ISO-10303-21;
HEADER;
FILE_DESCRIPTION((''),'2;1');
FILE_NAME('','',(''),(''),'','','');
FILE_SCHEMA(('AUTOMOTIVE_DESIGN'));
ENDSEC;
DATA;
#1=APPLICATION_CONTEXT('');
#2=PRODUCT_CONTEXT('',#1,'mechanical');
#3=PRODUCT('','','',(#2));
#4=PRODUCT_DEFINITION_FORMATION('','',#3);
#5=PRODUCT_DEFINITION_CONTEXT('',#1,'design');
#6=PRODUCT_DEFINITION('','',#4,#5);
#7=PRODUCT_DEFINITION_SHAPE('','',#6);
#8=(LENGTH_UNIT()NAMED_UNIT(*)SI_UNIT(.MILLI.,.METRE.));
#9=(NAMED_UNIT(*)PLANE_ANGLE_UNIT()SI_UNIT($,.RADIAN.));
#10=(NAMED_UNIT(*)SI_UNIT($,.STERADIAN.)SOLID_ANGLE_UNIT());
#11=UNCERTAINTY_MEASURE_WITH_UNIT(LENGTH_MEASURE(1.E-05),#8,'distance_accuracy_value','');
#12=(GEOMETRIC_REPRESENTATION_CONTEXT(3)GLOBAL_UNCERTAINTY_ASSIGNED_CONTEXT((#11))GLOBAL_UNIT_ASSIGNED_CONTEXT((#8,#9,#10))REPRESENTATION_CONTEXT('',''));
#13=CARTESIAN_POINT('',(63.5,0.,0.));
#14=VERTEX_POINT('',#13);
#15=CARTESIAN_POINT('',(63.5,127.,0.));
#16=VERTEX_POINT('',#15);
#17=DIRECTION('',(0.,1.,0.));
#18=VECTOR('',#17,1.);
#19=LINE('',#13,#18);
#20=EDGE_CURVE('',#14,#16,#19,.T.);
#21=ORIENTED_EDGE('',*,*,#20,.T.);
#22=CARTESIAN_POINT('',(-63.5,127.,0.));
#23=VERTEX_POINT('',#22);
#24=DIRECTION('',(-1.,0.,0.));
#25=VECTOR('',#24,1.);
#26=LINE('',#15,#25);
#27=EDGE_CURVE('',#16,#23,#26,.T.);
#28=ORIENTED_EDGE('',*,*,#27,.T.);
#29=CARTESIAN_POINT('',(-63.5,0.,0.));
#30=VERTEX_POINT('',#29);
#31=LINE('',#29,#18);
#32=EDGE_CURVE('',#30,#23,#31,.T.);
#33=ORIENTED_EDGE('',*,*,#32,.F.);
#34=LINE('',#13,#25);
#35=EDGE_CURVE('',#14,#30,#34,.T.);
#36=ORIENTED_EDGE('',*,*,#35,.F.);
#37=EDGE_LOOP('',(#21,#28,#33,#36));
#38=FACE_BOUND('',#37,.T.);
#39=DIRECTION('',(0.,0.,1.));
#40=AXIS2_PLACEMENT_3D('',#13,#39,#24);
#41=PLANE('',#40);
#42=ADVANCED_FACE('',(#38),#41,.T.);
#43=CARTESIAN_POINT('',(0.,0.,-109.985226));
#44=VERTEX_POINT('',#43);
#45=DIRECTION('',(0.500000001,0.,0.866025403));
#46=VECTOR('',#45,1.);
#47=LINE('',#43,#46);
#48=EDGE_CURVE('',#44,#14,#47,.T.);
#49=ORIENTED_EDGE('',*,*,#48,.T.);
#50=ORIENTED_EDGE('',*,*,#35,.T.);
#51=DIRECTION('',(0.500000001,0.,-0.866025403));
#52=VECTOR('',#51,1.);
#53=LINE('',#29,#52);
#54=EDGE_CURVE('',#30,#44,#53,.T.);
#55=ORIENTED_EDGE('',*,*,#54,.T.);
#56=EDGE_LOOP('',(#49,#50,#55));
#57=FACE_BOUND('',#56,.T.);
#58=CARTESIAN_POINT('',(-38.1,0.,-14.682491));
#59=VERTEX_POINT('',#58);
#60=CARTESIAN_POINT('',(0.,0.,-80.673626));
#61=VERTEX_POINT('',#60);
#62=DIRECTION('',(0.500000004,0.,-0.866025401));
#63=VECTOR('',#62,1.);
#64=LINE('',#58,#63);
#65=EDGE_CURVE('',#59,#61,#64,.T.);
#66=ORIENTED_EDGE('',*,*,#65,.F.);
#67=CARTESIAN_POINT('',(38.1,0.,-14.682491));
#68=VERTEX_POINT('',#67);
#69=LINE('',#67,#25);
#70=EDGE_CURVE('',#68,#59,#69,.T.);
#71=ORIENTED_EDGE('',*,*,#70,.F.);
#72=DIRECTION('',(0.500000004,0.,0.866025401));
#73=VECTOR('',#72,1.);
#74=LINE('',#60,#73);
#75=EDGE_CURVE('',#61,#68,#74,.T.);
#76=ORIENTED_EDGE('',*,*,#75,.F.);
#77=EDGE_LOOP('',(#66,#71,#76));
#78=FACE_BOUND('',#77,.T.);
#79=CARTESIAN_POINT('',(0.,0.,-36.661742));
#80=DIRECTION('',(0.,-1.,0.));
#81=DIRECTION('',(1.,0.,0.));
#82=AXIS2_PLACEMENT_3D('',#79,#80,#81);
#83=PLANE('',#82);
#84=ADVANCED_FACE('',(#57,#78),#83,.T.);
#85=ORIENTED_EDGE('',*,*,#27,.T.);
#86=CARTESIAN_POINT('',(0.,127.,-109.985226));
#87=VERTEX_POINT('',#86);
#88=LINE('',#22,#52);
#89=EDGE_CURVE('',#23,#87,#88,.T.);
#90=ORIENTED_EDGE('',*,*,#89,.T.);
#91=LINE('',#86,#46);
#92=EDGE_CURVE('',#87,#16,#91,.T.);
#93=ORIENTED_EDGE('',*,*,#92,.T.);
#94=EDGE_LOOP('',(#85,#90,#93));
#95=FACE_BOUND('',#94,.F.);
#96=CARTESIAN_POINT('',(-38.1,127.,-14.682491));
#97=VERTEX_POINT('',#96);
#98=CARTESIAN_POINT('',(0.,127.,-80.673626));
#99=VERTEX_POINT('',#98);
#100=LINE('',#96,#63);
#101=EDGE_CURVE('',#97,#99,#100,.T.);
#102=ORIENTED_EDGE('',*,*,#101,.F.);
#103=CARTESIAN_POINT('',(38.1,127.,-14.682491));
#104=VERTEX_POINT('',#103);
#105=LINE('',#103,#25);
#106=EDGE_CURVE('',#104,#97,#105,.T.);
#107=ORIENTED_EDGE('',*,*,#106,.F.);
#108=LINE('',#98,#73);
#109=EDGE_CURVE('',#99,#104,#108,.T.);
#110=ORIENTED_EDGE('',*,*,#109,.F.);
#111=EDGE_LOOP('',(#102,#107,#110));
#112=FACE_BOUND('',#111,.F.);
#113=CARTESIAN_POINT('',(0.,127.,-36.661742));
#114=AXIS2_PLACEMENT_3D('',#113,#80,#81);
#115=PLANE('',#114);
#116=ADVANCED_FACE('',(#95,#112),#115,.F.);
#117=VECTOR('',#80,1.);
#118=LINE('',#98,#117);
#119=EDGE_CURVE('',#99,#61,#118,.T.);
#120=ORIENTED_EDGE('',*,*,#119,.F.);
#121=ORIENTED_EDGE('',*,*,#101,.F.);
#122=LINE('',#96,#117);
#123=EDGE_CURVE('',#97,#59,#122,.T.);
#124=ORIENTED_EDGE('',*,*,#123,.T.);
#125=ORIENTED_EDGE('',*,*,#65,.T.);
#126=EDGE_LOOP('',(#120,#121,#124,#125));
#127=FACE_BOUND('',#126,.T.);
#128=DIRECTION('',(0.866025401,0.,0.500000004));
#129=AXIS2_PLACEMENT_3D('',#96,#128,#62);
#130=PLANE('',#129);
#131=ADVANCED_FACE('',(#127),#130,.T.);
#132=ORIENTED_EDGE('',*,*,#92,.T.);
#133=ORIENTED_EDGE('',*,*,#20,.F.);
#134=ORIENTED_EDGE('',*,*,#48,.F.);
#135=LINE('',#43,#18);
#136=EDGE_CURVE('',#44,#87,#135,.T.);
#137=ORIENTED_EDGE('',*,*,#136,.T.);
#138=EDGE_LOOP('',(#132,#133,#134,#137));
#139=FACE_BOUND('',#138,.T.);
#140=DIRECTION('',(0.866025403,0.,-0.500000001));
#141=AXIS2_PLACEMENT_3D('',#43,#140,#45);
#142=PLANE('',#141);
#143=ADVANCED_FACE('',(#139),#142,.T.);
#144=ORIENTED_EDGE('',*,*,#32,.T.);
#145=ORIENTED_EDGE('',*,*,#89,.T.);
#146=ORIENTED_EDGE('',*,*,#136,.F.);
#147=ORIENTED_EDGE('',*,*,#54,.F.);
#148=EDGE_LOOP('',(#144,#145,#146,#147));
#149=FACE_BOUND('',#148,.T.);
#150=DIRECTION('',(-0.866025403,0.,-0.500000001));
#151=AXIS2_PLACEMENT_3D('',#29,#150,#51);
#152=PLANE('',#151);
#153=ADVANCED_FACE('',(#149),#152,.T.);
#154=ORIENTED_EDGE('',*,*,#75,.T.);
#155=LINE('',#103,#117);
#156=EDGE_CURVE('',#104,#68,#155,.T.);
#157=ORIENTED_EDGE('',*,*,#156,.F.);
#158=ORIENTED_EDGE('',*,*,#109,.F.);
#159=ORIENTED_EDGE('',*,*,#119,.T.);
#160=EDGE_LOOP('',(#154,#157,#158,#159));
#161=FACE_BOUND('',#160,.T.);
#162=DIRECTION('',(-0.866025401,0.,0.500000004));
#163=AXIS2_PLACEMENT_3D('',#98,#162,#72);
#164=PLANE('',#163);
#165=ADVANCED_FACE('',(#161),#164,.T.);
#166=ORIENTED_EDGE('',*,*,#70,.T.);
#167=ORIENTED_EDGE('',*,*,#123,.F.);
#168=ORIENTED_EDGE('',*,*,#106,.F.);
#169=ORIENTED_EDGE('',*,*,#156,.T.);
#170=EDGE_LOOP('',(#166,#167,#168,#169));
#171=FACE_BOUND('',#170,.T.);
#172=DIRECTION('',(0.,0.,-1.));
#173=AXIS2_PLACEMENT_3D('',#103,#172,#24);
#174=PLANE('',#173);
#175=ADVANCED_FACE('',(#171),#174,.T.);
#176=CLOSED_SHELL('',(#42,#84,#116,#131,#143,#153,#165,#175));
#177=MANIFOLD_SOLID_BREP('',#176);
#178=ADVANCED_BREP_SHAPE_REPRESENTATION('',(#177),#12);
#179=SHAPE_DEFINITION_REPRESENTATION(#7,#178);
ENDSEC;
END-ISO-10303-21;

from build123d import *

# Parameters (mm, degrees)
F3_DEPTH = 127
F4_DEPTH = 127


with BuildPart() as f3:
    # F0 (on Front) → F3 (new body)
    with BuildSketch(Plane.XZ):
        Polygon((63.5, 0), (-63.5, 0), (0, -109.985226), align=None)
    extrude(amount=-F3_DEPTH)

    # F2 (on offset) → F4 (cut)
    with BuildSketch(Plane.XZ.offset(-127)):
        Polygon((38.1, -14.682491), (-38.1, -14.682491), (0, -80.673626), align=None)
    extrude(amount=F4_DEPTH, mode=Mode.SUBTRACT)


solid = f3.part
